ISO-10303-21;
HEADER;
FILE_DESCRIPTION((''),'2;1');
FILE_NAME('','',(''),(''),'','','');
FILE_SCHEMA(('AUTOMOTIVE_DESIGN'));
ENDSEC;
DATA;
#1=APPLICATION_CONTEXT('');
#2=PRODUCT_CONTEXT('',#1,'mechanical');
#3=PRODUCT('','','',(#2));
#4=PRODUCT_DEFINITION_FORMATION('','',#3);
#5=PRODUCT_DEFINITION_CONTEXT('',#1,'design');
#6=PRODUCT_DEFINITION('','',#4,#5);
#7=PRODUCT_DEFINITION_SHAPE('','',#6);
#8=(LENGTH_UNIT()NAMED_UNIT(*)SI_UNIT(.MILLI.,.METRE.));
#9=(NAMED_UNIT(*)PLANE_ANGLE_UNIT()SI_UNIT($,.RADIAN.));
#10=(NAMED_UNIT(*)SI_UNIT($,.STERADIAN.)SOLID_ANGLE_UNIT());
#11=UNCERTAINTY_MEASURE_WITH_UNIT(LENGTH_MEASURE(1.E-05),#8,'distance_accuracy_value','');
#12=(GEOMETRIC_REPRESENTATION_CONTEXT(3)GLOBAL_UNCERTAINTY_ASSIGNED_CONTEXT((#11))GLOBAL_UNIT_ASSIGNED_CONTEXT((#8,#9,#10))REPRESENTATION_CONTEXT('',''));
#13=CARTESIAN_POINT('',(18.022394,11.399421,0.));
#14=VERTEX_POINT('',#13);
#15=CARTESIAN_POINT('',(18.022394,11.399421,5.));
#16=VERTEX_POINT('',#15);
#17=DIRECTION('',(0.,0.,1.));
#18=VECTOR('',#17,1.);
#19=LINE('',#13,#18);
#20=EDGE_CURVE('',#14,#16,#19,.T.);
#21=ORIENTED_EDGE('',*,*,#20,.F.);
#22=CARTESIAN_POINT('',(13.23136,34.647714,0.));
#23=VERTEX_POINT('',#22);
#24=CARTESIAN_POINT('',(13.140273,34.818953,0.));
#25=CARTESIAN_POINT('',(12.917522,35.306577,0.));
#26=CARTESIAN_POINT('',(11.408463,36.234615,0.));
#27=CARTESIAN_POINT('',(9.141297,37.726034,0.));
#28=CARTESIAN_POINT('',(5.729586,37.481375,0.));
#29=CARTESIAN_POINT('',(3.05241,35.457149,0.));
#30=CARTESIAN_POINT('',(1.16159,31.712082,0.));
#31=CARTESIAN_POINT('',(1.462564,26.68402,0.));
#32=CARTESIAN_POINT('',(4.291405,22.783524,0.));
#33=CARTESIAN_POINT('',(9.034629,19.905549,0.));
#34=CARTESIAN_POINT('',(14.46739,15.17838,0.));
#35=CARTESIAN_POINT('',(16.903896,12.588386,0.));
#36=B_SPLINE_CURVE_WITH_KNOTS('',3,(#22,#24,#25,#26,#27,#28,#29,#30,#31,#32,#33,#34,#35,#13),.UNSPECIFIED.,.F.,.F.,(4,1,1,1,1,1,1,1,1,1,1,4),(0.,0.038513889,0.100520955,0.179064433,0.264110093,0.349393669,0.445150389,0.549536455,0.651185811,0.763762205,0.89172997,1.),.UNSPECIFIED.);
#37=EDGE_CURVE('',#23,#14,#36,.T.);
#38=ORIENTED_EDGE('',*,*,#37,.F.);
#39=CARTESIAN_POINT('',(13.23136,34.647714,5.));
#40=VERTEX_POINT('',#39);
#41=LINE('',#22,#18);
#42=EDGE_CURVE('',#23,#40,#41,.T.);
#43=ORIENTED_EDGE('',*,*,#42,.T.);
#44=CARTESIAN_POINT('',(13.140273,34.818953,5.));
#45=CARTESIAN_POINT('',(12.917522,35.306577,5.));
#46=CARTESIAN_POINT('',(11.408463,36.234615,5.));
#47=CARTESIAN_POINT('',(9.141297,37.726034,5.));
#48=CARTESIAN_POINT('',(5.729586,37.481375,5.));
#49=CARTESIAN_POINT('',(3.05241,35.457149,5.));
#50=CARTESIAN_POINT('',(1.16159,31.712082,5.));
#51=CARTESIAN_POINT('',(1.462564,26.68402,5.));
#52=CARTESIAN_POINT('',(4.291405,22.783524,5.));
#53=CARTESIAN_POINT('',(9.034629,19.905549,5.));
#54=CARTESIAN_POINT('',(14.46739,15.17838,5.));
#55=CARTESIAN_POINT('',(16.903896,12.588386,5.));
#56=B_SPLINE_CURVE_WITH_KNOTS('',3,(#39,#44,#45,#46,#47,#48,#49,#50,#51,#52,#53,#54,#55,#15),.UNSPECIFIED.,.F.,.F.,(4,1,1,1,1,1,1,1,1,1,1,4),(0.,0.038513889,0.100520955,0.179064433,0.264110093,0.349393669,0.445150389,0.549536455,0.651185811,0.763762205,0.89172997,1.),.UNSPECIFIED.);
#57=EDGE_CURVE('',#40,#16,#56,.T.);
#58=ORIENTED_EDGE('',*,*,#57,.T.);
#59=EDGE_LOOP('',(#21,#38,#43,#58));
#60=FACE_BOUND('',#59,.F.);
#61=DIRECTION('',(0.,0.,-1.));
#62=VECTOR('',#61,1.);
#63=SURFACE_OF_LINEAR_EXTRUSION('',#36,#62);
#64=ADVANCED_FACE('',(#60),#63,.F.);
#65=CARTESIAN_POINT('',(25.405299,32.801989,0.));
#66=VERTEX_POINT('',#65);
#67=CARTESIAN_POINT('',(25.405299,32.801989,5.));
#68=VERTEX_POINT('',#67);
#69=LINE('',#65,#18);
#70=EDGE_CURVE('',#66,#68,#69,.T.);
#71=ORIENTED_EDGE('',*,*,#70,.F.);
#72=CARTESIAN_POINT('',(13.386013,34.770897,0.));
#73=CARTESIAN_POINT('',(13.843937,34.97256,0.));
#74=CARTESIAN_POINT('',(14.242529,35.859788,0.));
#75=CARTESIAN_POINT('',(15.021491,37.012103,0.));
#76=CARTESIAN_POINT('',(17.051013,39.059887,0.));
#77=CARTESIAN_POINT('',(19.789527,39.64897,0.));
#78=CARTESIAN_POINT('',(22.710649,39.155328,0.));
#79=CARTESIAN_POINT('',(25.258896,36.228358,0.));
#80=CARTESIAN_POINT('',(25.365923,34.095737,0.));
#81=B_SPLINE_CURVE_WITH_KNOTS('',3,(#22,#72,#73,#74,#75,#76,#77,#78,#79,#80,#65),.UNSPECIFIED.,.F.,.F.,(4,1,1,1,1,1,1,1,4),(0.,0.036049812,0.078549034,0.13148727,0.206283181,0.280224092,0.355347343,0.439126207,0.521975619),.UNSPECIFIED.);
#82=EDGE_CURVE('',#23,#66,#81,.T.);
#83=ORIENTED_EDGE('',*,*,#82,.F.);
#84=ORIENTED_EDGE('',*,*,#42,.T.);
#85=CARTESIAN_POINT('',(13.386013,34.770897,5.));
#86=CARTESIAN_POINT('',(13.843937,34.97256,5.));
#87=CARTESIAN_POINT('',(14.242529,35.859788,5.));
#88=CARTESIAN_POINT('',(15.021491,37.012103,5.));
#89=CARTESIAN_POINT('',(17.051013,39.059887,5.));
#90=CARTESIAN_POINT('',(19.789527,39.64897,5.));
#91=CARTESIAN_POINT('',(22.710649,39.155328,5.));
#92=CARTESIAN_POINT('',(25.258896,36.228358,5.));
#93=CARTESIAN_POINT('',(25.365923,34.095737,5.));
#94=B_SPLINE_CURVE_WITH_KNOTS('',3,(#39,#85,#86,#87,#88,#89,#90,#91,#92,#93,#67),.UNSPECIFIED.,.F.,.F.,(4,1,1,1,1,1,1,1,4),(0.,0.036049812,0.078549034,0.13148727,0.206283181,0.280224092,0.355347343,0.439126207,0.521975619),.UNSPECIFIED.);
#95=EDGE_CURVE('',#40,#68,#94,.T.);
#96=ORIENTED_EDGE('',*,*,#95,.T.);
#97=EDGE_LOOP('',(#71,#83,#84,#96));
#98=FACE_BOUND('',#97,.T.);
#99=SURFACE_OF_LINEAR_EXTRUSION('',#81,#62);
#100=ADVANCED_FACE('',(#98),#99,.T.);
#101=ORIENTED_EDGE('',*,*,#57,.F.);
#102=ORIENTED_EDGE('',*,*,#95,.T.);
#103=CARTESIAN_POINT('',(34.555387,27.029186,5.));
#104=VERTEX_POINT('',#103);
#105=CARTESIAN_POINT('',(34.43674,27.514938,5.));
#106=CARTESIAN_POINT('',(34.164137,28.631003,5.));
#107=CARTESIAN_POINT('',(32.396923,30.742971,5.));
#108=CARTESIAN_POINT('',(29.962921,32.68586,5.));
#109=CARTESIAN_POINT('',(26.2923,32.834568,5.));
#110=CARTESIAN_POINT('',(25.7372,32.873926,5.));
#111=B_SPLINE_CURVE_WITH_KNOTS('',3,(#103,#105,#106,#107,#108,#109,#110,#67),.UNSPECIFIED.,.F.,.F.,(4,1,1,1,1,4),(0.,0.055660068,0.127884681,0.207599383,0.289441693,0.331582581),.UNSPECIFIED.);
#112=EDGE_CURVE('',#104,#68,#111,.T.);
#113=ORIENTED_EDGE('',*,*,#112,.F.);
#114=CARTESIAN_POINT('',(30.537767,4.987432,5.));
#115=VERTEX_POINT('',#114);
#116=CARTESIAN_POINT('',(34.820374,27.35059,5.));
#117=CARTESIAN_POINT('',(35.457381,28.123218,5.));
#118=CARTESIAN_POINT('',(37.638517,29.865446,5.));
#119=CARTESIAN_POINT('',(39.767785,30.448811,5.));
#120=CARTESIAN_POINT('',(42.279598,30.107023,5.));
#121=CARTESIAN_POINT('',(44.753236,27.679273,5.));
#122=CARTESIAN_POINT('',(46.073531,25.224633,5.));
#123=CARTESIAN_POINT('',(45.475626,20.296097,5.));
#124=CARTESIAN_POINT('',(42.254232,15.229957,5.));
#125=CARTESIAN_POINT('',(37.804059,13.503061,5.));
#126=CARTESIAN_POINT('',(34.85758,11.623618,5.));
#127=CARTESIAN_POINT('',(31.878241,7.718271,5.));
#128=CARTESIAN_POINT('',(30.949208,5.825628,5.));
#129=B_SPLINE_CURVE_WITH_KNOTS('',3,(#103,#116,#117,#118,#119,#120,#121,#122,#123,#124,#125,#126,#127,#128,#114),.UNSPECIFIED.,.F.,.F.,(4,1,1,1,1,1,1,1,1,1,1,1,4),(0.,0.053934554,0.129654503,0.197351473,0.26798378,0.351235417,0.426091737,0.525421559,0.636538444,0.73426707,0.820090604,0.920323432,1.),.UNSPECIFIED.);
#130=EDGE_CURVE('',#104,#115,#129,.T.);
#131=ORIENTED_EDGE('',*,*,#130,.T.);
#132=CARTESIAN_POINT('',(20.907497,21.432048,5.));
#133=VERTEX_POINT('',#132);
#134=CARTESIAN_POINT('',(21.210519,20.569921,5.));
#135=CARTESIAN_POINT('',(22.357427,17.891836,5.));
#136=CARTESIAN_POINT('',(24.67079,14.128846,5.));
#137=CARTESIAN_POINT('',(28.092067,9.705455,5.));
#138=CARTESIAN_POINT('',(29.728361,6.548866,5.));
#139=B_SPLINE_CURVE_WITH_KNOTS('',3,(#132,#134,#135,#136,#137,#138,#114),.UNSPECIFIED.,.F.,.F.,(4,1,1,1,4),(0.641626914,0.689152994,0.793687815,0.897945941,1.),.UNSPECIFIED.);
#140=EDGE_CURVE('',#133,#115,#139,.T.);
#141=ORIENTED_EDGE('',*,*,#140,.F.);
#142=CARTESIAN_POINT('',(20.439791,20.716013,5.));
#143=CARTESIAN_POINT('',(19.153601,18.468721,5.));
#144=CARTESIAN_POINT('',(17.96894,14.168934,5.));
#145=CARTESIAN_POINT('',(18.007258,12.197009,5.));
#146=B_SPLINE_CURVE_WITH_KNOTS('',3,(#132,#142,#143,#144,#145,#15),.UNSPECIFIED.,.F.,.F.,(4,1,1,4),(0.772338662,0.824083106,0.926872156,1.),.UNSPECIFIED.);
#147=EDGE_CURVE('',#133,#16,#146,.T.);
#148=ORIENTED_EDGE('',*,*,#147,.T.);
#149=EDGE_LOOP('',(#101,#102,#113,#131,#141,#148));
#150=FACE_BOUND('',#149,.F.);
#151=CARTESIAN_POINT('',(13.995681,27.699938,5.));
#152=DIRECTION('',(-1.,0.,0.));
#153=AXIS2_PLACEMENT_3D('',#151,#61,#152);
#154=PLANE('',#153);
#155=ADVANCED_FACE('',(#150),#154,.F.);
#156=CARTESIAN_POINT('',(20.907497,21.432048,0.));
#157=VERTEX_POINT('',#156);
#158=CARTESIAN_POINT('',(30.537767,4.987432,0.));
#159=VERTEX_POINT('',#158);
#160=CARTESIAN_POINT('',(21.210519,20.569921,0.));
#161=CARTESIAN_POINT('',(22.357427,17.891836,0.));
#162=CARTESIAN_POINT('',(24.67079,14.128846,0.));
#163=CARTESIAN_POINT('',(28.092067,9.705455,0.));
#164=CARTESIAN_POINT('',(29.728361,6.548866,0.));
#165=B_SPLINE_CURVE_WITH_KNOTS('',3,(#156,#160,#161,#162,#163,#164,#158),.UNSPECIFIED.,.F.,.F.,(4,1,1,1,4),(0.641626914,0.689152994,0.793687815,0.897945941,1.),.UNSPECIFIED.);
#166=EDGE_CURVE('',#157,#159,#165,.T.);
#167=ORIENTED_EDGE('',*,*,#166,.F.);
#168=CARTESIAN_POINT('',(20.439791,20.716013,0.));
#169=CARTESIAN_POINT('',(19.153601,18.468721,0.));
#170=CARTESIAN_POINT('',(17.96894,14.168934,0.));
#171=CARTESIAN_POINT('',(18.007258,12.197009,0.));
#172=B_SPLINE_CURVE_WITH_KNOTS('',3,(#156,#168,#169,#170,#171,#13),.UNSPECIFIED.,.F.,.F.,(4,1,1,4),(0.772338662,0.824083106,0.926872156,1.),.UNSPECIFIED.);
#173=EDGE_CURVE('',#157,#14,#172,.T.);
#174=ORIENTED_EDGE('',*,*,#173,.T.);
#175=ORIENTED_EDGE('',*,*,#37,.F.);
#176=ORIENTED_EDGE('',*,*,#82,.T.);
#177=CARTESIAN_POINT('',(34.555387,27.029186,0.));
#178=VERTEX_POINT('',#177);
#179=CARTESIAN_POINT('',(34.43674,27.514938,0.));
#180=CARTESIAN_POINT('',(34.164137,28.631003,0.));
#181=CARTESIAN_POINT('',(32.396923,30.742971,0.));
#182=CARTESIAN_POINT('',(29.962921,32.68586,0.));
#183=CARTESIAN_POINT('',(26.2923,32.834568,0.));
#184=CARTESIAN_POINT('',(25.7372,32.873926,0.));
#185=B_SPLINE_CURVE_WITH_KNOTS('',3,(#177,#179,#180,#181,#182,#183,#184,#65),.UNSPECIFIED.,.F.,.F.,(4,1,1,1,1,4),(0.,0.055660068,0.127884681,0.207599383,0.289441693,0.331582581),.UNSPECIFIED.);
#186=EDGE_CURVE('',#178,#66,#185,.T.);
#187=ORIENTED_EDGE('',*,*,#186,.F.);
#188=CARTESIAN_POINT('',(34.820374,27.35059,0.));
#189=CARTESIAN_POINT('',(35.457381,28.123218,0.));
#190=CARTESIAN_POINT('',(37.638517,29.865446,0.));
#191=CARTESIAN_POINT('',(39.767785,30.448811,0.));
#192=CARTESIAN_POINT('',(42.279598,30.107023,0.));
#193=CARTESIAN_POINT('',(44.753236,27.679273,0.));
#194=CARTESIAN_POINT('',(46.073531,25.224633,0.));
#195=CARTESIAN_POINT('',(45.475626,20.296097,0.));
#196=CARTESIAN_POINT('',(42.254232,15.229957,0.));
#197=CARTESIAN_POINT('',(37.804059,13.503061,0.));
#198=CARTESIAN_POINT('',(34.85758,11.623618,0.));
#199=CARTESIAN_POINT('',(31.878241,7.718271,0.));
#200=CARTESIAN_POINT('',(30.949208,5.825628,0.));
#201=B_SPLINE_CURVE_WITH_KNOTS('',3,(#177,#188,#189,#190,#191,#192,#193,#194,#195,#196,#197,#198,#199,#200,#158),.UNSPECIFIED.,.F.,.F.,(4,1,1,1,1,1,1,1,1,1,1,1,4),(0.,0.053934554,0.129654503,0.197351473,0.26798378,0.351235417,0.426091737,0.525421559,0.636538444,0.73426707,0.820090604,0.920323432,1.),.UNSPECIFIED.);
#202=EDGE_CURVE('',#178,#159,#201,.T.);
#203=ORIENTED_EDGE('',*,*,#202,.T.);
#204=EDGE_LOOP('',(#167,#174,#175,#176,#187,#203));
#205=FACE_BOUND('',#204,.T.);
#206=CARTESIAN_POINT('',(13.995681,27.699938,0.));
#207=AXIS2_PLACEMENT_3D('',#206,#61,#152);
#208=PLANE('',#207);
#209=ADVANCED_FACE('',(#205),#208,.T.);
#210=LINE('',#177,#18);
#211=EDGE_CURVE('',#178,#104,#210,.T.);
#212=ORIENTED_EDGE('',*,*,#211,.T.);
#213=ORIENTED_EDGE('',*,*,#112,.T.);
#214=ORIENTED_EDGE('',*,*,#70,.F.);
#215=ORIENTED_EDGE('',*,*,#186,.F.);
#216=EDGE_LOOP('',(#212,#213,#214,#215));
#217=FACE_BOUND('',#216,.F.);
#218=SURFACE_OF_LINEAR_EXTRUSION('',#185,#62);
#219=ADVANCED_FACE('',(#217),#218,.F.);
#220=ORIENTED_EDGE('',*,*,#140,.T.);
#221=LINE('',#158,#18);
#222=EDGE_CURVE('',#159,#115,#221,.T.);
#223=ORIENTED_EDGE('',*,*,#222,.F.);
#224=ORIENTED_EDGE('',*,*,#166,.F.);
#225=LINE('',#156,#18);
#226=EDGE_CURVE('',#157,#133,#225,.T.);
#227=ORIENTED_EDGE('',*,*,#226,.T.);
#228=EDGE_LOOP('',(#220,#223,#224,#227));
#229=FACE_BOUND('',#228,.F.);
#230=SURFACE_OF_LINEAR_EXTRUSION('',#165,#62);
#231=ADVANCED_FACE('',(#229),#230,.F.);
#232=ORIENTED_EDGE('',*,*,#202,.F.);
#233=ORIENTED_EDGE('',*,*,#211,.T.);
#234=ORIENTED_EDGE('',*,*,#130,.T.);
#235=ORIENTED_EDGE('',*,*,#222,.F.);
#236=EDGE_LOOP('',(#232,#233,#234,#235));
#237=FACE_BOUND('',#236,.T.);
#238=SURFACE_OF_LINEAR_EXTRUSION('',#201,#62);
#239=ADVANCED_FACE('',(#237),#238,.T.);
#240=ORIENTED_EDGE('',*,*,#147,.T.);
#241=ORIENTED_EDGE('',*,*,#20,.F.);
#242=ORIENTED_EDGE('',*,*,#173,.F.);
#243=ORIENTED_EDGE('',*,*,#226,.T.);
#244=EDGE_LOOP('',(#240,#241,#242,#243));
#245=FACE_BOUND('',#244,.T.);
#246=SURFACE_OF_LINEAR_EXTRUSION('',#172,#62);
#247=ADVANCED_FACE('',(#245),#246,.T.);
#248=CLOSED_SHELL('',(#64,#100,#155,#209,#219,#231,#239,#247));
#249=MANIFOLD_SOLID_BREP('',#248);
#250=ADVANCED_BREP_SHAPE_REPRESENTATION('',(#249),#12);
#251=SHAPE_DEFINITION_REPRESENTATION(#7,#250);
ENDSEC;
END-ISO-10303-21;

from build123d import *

# Parameters (mm, degrees)
F1_DEPTH = 5


with BuildPart() as f1:
    # F0 (on Top) → F1 (new body)
    with BuildSketch(Plane.XY):
        with BuildLine():
            add(Edge.make_bspline(
                [(13.2313603535, 34.6477143466), (13.3860128067, 34.7708971807), (13.8439374067, 34.9725596836), (14.2425290678, 35.859788071), (15.0214905173, 37.0121026477), (17.0510127549, 39.0598870249), (19.7895274194, 39.648969919), (22.7106493723, 39.1553279299), (25.2588960312, 36.2283580781), (25.3659225333, 34.0957369092), (25.4052989185, 32.801989466)],
                knots=[0, 0, 0, 0, 0.0360498115, 0.0785490342, 0.13148727, 0.2062831808, 0.2802240924, 0.3553473431, 0.4391262067, 0.5219756188, 0.5219756188, 0.5219756188, 0.5219756188], degree=3))
            add(Edge.make_bspline(
                [(13.2313603535, 34.6477143466), (13.1402728599, 34.8189528746), (12.9175224351, 35.3065772667), (11.4084634827, 36.2346146059), (9.1412974835, 37.7260343927), (5.7295862641, 37.4813754341), (3.0524103893, 35.4571489186), (1.1615901244, 31.7120821081), (1.4625638549, 26.6840203078), (4.2914046083, 22.7835240851), (9.0346293269, 19.9055489899), (14.4673897508, 15.1783795437), (16.9038964696, 12.588386363), (18.0223938078, 11.3994209096)],
                knots=[0, 0, 0, 0, 0.0385138885, 0.1005209553, 0.1790644329, 0.2641100934, 0.3493936689, 0.445150389, 0.5495364555, 0.6511858115, 0.763762205, 0.8917299697, 1, 1, 1, 1], degree=3))
            add(Edge.make_bspline(
                [(20.9074965663, 21.4320479036), (20.4397909378, 20.7160128412), (19.1536009476, 18.4687205649), (17.9689395454, 14.1689344855), (18.0072581502, 12.1970093238), (18.0223938078, 11.3994209096)],
                knots=[0.7723386621, 0.7723386621, 0.7723386621, 0.7723386621, 0.8240831059, 0.9268721562, 1, 1, 1, 1], degree=3))
            add(Edge.make_bspline(
                [(25.4052989185, 32.801989466), (24.8507986109, 32.681806987), (22.8644241962, 31.9359697898), (20.3100342024, 30.2030018873), (19.713009884, 25.6821200924), (20.4971962661, 22.5993922561), (20.9074965663, 21.4320479036)],
                knots=[0.331582581, 0.331582581, 0.331582581, 0.331582581, 0.4019863947, 0.4781324085, 0.5772752719, 0.6416269142, 0.6416269142, 0.6416269142, 0.6416269142], degree=3))
        make_face()
        with BuildLine():
            add(Edge.make_bspline(
                [(34.5553867519, 27.0291864872), (34.4367400807, 27.5149384874), (34.1641372564, 28.631003235), (32.3969234221, 30.742971129), (29.9629211618, 32.6858599115), (26.2923004651, 32.8345684614), (25.7372004767, 32.8739258589), (25.4052989185, 32.801989466)],
                knots=[0, 0, 0, 0, 0.0556600677, 0.1278846806, 0.2075993831, 0.2894416929, 0.331582581, 0.331582581, 0.331582581, 0.331582581], degree=3))
            add(Edge.make_bspline(
                [(25.4052989185, 32.801989466), (25.4537991947, 31.2084681692), (25.5082397021, 27.3537455984), (22.7847524203, 24.0563409182), (21.3448835149, 22.1016665096), (20.9074965663, 21.4320479036)],
                knots=[0.5219756188, 0.5219756188, 0.5219756188, 0.5219756188, 0.6240220448, 0.7239485146, 0.7723386621, 0.7723386621, 0.7723386621, 0.7723386621], degree=3))
            add(Edge.make_bspline(
                [(20.9074965663, 21.4320479036), (21.2105185867, 20.5699207153), (22.3574274988, 17.8918362365), (24.6707903298, 14.1288456629), (28.0920668692, 9.7054547257), (29.7283607779, 6.5488655612), (30.5377673358, 4.9874321558)],
                knots=[0.6416269142, 0.6416269142, 0.6416269142, 0.6416269142, 0.6891529936, 0.7936878154, 0.897945941, 1, 1, 1, 1], degree=3))
            add(Edge.make_bspline(
                [(34.5553867519, 27.0291864872), (34.8203735388, 27.3505897537), (35.4573813145, 28.1232183902), (37.6385167055, 29.8654462886), (39.7677849185, 30.4488114234), (42.2795978468, 30.1070232175), (44.7532359489, 27.6792727197), (46.073530962, 25.2246332657), (45.4756259587, 20.2960969653), (42.2542319429, 15.2299568084), (37.8040590236, 13.503060576), (34.8575800501, 11.6236184128), (31.8782410275, 7.7182706429), (30.9492084702, 5.8256278562), (30.5377673358, 4.9874321558)],
                knots=[0, 0, 0, 0, 0.0539345536, 0.1296545026, 0.1973514734, 0.2679837797, 0.3512354169, 0.4260917368, 0.525421559, 0.636538444, 0.7342670699, 0.8200906036, 0.9203234316, 1, 1, 1, 1], degree=3))
        make_face()
        with BuildLine():
            add(Edge.make_bspline(
                [(25.4052989185, 32.801989466), (25.4537991947, 31.2084681692), (25.5082397021, 27.3537455984), (22.7847524203, 24.0563409182), (21.3448835149, 22.1016665096), (20.9074965663, 21.4320479036)],
                knots=[0.5219756188, 0.5219756188, 0.5219756188, 0.5219756188, 0.6240220448, 0.7239485146, 0.7723386621, 0.7723386621, 0.7723386621, 0.7723386621], degree=3))
            add(Edge.make_bspline(
                [(25.4052989185, 32.801989466), (24.8507986109, 32.681806987), (22.8644241962, 31.9359697898), (20.3100342024, 30.2030018873), (19.713009884, 25.6821200924), (20.4971962661, 22.5993922561), (20.9074965663, 21.4320479036)],
                knots=[0.331582581, 0.331582581, 0.331582581, 0.331582581, 0.4019863947, 0.4781324085, 0.5772752719, 0.6416269142, 0.6416269142, 0.6416269142, 0.6416269142], degree=3))
        make_face()
    extrude(amount=F1_DEPTH)


solid = f1.part
